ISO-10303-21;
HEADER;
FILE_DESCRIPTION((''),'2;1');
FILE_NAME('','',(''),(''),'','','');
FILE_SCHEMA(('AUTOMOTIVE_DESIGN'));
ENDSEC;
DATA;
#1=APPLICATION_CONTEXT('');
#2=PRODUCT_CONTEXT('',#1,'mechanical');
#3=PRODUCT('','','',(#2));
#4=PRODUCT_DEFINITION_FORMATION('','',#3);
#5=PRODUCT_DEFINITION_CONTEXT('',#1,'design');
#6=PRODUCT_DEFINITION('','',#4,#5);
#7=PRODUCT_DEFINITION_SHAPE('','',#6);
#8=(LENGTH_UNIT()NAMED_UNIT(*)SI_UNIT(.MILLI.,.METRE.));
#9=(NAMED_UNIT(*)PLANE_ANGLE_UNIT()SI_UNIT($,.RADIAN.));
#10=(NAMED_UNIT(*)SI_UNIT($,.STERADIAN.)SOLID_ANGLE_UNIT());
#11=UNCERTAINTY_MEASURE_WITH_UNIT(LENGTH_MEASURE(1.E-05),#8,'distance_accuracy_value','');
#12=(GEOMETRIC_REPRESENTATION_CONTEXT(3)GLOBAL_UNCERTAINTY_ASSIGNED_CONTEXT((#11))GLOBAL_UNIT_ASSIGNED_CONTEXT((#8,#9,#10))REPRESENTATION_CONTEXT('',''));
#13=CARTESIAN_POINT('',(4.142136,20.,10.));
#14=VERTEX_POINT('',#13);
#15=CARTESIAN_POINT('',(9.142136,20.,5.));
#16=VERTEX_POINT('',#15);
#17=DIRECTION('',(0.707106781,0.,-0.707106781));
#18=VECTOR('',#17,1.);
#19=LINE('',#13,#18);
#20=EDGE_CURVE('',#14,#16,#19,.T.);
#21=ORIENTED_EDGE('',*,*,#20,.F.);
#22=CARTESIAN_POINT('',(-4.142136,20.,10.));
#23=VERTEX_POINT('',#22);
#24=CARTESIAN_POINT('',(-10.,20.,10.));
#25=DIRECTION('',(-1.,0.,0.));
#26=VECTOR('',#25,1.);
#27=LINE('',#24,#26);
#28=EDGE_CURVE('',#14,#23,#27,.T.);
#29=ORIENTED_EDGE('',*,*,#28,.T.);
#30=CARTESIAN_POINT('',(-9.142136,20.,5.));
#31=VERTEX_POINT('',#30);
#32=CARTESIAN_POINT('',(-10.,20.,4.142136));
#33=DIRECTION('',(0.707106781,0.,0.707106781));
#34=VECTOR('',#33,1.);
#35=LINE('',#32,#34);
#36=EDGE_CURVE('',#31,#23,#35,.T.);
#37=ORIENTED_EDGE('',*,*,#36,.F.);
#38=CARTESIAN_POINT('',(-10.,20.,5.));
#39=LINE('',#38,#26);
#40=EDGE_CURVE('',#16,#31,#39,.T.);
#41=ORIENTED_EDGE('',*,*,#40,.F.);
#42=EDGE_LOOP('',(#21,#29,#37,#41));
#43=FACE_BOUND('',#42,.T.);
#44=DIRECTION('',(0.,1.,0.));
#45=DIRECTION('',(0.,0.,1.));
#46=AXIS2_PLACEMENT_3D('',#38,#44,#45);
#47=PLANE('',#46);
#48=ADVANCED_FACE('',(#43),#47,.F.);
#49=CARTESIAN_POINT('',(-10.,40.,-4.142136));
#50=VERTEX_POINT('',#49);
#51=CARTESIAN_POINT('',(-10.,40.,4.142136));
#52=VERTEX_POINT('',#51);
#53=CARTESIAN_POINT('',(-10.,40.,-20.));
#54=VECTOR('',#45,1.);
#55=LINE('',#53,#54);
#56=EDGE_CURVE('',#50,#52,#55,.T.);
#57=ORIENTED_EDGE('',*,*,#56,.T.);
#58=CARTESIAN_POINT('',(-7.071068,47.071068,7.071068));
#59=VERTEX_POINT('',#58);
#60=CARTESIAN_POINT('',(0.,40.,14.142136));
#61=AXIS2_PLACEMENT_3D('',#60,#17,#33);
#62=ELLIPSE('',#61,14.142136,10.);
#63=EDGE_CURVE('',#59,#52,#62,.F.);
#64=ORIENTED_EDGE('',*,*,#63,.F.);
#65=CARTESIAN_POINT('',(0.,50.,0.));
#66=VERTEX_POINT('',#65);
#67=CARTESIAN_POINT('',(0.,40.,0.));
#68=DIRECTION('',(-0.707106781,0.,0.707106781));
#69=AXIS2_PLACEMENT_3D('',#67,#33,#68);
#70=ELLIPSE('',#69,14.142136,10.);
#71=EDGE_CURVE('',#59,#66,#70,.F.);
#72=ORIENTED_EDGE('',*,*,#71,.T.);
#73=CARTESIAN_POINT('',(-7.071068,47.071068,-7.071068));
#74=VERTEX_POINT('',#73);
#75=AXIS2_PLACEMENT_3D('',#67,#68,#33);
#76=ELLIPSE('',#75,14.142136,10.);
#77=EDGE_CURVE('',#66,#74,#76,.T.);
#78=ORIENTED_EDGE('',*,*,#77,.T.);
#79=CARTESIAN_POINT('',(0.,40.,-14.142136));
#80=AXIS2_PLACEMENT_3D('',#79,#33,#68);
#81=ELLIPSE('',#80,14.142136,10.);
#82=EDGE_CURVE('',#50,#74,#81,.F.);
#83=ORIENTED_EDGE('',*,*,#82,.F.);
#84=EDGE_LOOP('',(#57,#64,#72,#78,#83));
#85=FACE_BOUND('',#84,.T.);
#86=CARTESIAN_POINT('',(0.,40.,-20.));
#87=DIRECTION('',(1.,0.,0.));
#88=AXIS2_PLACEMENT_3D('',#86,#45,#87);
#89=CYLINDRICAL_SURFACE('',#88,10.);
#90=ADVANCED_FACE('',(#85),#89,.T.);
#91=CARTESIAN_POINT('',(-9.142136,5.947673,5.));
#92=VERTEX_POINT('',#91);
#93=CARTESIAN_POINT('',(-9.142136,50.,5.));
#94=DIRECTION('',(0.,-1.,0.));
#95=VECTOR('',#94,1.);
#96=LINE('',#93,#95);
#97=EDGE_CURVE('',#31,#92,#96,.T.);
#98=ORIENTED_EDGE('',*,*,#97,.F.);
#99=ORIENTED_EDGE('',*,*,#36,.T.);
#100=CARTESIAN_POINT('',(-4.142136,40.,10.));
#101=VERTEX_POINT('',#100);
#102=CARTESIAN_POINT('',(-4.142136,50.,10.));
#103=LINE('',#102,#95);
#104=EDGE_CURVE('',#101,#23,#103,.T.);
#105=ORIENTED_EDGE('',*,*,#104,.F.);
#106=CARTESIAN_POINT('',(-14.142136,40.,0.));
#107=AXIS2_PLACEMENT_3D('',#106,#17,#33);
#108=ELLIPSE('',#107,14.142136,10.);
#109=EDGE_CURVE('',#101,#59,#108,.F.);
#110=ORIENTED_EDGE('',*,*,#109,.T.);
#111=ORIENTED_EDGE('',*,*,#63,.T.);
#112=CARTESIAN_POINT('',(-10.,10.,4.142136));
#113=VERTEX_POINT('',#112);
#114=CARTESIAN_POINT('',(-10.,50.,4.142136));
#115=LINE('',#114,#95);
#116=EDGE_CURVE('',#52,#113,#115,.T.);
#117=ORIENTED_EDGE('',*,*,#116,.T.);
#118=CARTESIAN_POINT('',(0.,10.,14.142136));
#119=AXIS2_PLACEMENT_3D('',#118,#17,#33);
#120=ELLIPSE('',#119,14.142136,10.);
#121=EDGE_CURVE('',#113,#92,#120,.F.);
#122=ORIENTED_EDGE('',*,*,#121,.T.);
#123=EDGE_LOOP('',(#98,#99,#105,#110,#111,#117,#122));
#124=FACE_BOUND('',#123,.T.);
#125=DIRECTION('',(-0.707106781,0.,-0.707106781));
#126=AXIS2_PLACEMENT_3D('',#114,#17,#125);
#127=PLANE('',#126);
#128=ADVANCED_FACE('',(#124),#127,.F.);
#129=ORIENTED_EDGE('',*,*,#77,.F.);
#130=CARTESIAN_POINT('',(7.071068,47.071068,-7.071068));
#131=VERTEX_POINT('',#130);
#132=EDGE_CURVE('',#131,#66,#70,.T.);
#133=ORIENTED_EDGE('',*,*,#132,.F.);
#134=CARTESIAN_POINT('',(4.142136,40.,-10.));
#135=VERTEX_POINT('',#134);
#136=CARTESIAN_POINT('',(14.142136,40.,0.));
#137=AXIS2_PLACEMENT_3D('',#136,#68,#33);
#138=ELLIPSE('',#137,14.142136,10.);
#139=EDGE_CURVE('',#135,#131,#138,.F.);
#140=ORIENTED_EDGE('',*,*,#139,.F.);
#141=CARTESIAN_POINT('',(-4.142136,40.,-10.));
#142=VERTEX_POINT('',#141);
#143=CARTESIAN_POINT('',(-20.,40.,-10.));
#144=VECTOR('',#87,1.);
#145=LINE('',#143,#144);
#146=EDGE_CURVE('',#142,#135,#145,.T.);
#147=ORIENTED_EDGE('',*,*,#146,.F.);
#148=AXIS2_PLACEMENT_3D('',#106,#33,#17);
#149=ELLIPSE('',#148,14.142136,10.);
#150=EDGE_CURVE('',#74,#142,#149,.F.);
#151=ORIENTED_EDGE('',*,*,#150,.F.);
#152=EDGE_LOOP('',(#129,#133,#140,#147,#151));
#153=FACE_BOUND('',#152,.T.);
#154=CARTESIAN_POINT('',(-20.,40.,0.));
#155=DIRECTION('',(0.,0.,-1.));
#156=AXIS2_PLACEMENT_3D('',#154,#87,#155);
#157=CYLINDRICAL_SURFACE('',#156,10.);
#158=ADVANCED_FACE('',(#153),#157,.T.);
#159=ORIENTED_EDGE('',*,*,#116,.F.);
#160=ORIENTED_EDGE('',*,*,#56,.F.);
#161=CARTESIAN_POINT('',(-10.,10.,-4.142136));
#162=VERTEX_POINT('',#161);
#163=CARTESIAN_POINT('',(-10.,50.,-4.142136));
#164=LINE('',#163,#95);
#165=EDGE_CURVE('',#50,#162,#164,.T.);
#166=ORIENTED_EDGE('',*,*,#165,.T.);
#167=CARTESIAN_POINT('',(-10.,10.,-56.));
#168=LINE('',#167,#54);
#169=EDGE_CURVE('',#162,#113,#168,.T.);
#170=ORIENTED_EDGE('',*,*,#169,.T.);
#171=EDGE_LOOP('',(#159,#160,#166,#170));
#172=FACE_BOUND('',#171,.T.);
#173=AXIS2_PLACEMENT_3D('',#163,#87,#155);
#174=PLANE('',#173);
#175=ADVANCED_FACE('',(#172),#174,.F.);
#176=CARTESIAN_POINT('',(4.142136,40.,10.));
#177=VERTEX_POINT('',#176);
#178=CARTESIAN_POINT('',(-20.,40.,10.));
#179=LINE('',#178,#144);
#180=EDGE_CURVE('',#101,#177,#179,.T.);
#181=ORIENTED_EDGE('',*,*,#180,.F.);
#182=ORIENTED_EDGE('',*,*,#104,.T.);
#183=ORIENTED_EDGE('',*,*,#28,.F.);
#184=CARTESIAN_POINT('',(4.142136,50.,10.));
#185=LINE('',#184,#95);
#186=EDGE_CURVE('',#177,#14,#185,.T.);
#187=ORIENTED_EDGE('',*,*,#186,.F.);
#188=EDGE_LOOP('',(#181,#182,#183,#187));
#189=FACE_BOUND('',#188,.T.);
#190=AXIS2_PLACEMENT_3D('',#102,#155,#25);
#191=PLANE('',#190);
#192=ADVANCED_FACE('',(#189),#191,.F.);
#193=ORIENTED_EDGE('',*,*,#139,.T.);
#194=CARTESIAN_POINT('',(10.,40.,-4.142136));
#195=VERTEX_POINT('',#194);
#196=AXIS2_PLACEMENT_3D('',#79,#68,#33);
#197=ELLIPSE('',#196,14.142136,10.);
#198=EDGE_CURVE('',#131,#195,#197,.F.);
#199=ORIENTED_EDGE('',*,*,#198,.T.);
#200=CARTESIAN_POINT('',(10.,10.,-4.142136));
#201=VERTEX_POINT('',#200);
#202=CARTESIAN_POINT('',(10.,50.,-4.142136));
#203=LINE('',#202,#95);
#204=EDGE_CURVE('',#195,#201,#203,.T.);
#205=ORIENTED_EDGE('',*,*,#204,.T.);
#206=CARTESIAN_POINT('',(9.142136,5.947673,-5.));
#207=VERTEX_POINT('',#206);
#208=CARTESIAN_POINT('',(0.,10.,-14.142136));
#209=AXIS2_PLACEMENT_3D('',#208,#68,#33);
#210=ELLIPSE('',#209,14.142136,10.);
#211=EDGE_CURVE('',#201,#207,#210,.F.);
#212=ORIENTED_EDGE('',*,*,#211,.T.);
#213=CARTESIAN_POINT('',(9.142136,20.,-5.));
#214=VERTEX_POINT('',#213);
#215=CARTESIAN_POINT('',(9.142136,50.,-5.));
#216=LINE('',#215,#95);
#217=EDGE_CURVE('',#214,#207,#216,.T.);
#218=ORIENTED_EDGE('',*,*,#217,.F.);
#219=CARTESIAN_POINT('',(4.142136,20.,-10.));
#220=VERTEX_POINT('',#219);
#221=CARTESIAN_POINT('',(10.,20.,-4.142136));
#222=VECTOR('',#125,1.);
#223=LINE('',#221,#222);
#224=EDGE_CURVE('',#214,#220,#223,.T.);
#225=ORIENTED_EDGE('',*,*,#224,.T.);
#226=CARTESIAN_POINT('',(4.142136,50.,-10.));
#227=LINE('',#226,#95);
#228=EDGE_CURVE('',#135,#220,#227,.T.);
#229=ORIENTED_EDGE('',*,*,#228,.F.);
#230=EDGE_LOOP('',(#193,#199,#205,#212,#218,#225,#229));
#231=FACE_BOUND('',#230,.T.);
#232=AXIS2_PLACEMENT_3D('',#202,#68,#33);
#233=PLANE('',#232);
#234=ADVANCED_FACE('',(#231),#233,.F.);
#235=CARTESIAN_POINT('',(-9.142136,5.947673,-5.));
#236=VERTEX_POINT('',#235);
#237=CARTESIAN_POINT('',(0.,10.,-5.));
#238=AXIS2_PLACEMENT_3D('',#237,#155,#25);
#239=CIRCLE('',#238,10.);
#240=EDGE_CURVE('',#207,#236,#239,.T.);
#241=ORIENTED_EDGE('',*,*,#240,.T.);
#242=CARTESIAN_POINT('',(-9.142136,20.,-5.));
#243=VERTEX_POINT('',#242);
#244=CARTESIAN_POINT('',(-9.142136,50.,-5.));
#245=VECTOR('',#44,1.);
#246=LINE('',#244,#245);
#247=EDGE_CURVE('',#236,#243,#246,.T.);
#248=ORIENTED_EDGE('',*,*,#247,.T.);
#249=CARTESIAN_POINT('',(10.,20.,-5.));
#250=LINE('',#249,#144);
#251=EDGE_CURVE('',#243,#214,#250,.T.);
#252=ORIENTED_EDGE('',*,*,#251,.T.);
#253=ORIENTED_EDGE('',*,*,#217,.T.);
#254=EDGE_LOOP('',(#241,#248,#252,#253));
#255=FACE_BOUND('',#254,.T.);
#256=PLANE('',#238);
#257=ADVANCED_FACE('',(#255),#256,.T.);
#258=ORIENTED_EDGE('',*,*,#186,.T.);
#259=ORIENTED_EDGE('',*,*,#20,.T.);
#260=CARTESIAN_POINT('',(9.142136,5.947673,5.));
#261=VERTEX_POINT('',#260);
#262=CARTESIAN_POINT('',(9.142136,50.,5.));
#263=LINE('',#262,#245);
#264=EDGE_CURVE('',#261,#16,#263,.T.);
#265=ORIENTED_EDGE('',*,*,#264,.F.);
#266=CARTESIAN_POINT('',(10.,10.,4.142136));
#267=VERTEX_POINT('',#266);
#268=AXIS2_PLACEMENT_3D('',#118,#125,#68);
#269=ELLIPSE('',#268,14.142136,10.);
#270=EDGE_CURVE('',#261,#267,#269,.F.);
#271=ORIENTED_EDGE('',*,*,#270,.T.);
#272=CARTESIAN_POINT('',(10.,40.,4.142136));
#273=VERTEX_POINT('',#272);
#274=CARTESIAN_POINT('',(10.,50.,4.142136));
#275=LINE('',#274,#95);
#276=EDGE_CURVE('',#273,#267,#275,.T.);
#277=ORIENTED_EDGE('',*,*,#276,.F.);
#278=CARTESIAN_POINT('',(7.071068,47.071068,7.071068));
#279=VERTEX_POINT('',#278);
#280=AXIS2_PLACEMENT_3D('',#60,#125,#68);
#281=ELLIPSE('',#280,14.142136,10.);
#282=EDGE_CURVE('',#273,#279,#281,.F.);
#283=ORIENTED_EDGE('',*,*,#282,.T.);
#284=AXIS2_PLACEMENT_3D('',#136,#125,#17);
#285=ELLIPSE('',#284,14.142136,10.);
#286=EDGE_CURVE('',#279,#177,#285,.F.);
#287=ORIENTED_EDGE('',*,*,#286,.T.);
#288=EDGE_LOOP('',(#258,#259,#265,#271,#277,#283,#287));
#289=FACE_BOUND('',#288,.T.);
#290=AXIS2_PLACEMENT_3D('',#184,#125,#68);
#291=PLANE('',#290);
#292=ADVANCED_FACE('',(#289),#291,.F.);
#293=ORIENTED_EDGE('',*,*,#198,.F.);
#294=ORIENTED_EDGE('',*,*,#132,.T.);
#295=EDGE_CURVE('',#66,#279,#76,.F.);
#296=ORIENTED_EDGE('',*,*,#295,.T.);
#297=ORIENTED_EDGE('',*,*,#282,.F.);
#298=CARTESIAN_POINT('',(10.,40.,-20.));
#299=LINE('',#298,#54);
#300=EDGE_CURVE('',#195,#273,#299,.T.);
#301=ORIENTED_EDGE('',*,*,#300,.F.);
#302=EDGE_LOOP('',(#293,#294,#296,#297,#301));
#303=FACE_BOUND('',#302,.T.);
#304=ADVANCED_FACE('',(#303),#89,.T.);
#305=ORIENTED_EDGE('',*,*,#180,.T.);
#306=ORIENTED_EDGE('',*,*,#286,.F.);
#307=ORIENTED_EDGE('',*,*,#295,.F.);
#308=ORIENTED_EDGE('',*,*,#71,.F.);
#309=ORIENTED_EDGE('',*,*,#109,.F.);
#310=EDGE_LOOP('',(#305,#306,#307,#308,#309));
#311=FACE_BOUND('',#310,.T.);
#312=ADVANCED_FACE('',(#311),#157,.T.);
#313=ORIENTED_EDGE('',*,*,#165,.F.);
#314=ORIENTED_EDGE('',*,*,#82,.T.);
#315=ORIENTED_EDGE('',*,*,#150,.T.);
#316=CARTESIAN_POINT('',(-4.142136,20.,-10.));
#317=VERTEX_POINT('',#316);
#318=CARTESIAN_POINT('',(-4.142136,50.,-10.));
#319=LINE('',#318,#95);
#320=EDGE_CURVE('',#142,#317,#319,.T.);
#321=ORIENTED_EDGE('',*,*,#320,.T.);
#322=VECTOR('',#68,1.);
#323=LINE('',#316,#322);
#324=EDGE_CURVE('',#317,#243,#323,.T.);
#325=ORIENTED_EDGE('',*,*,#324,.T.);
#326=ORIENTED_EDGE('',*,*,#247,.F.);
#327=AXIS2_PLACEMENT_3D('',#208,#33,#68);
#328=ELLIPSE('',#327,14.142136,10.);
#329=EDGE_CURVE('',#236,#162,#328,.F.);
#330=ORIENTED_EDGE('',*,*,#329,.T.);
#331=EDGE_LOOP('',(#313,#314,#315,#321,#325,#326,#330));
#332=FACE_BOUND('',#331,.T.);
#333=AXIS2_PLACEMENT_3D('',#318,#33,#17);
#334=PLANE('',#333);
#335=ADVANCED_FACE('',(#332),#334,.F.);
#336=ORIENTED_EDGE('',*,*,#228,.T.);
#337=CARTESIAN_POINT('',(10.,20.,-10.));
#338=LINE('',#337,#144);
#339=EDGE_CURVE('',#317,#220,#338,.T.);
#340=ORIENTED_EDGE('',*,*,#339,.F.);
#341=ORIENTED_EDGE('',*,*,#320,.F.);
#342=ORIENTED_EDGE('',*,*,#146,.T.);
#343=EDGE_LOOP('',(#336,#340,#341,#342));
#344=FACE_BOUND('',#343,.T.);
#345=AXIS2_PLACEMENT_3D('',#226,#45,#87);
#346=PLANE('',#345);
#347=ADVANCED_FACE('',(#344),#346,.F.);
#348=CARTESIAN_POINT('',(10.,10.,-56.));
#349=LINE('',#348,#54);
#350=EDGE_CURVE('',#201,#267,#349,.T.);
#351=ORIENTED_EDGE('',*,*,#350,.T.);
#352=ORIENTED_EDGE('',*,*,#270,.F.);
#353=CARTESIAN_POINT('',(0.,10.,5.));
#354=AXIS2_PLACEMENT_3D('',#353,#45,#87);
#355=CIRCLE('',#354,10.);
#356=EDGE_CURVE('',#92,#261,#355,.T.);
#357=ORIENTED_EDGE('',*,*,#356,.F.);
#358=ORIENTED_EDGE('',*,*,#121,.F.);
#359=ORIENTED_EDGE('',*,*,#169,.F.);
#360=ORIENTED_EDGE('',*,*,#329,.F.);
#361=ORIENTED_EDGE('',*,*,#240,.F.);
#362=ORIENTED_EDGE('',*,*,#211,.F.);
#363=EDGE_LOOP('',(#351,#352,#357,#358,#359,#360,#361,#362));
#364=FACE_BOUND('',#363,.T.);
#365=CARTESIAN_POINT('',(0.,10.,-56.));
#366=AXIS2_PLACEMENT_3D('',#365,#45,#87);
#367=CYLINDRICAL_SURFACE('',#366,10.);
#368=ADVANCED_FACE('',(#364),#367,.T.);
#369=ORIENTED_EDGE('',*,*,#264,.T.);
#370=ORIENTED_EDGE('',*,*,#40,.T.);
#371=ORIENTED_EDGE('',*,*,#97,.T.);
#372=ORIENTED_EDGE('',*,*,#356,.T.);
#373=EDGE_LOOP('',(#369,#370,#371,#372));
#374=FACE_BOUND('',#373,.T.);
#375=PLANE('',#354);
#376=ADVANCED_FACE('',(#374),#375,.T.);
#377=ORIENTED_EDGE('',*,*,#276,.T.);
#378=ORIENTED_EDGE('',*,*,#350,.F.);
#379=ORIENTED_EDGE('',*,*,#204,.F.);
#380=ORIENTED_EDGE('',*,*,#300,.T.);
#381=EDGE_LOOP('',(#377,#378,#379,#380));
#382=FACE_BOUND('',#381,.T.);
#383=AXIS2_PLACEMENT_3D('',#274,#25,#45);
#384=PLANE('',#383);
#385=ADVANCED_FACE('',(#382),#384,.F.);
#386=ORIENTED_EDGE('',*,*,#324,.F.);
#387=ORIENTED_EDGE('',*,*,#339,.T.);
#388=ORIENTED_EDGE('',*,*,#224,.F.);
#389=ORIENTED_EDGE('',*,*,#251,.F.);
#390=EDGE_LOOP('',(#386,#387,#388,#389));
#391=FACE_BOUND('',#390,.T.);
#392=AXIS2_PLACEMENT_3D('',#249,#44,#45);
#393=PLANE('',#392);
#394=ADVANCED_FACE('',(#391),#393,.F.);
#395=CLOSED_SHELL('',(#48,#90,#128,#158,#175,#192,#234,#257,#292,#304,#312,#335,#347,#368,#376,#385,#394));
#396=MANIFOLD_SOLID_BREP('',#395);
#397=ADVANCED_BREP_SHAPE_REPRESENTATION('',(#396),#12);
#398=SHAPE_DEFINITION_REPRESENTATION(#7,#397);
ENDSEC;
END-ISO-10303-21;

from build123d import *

# Parameters (mm, degrees)
EXTRUDE_1_DEPTH     = 50
CUT_EXTRUDE_1_DEPTH = 66
CUT_EXTRUDE_2_DEPTH = 5
CUT_EXTRUDE_START   = -5
CUT_EXTRUDE_3_DEPTH = 5
CUT_EXTRUDE_5_DEPTH = 30
CUT_EXTRUDE_6_DEPTH = 30


with BuildPart() as part:
    # 草图1 → 凸台-拉伸1 (new body)
    with BuildSketch(Plane(origin=(0, 0, 0), x_dir=(1, 0, 0), z_dir=(0, 1, 0))):
        Polygon((10, 4.142135624), (4.142135624, 10), (-4.142135624, 10), (-10, 4.142135624), (-10, -4.142135624), (-4.142135624, -10), (4.142135624, -10), (10, -4.142135624), align=None)
    extrude(amount=EXTRUDE_1_DEPTH)

    # 草图2 → 切除-拉伸1 (cut)
    with BuildSketch(Plane.XY.offset(10)):
        with BuildLine():
            Line((-10, 10), (-10, -2.389295552))
            Line((-10, -2.389295552), (10, -2.389295552))
            Line((10, -2.389295552), (10, 10))
            ThreePointArc((10, 10), (0, 0), (-10, 10))
        make_face()
    extrude(amount=-CUT_EXTRUDE_1_DEPTH, mode=Mode.SUBTRACT)

    # 草图4 → 切除-拉伸2 (cut)
    with BuildSketch(Plane.XY.offset(10)):
        with BuildLine():
            Line((-10, 10), (-10, 20))
            Line((-10, 20), (10, 20))
            Line((10, 20), (10, 10))
            ThreePointArc((10, 10), (0, 0), (-10, 10))
        make_face()
    extrude(amount=-CUT_EXTRUDE_2_DEPTH, mode=Mode.SUBTRACT)

    # 草图5 → 切除-拉伸3 (cut)
    with BuildSketch(Plane(origin=(0, 0, -10), x_dir=(-1, 0, 0), z_dir=(0, 0, -1)).offset(CUT_EXTRUDE_START)):
        with BuildLine():
            Line((-10, 10), (-10, 20))
            Line((-10, 20), (10, 20))
            Line((10, 20), (10, 10))
            ThreePointArc((10, 10), (0, 0), (-10, 10))
        make_face()
    extrude(amount=CUT_EXTRUDE_3_DEPTH, mode=Mode.SUBTRACT)

    # 草图7 → 切除-拉伸5 (cut)
    with BuildSketch(Plane.XY.offset(10)):
        with BuildLine():
            Line((-10, 40), (-10, 52.610016676))
            Line((-10, 52.610016676), (10, 52.610016676))
            Line((10, 52.610016676), (10, 40))
            ThreePointArc((10, 40), (0, 50), (-10, 40))
        make_face()
    extrude(amount=-CUT_EXTRUDE_5_DEPTH, mode=Mode.SUBTRACT)

    # 草图8 → 切除-拉伸6 (cut)
    with BuildSketch(Plane(origin=(10, 0, 0), x_dir=(0, 0, -1), z_dir=(1, 0, 0))):
        with BuildLine():
            Line((-10, 40), (-10, 54.562321687))
            Line((-10, 54.562321687), (10, 54.562321687))
            Line((10, 54.562321687), (10, 40))
            ThreePointArc((10, 40), (0, 50), (-10, 40))
        make_face()
    extrude(amount=-CUT_EXTRUDE_6_DEPTH, mode=Mode.SUBTRACT)


solid = part.part
